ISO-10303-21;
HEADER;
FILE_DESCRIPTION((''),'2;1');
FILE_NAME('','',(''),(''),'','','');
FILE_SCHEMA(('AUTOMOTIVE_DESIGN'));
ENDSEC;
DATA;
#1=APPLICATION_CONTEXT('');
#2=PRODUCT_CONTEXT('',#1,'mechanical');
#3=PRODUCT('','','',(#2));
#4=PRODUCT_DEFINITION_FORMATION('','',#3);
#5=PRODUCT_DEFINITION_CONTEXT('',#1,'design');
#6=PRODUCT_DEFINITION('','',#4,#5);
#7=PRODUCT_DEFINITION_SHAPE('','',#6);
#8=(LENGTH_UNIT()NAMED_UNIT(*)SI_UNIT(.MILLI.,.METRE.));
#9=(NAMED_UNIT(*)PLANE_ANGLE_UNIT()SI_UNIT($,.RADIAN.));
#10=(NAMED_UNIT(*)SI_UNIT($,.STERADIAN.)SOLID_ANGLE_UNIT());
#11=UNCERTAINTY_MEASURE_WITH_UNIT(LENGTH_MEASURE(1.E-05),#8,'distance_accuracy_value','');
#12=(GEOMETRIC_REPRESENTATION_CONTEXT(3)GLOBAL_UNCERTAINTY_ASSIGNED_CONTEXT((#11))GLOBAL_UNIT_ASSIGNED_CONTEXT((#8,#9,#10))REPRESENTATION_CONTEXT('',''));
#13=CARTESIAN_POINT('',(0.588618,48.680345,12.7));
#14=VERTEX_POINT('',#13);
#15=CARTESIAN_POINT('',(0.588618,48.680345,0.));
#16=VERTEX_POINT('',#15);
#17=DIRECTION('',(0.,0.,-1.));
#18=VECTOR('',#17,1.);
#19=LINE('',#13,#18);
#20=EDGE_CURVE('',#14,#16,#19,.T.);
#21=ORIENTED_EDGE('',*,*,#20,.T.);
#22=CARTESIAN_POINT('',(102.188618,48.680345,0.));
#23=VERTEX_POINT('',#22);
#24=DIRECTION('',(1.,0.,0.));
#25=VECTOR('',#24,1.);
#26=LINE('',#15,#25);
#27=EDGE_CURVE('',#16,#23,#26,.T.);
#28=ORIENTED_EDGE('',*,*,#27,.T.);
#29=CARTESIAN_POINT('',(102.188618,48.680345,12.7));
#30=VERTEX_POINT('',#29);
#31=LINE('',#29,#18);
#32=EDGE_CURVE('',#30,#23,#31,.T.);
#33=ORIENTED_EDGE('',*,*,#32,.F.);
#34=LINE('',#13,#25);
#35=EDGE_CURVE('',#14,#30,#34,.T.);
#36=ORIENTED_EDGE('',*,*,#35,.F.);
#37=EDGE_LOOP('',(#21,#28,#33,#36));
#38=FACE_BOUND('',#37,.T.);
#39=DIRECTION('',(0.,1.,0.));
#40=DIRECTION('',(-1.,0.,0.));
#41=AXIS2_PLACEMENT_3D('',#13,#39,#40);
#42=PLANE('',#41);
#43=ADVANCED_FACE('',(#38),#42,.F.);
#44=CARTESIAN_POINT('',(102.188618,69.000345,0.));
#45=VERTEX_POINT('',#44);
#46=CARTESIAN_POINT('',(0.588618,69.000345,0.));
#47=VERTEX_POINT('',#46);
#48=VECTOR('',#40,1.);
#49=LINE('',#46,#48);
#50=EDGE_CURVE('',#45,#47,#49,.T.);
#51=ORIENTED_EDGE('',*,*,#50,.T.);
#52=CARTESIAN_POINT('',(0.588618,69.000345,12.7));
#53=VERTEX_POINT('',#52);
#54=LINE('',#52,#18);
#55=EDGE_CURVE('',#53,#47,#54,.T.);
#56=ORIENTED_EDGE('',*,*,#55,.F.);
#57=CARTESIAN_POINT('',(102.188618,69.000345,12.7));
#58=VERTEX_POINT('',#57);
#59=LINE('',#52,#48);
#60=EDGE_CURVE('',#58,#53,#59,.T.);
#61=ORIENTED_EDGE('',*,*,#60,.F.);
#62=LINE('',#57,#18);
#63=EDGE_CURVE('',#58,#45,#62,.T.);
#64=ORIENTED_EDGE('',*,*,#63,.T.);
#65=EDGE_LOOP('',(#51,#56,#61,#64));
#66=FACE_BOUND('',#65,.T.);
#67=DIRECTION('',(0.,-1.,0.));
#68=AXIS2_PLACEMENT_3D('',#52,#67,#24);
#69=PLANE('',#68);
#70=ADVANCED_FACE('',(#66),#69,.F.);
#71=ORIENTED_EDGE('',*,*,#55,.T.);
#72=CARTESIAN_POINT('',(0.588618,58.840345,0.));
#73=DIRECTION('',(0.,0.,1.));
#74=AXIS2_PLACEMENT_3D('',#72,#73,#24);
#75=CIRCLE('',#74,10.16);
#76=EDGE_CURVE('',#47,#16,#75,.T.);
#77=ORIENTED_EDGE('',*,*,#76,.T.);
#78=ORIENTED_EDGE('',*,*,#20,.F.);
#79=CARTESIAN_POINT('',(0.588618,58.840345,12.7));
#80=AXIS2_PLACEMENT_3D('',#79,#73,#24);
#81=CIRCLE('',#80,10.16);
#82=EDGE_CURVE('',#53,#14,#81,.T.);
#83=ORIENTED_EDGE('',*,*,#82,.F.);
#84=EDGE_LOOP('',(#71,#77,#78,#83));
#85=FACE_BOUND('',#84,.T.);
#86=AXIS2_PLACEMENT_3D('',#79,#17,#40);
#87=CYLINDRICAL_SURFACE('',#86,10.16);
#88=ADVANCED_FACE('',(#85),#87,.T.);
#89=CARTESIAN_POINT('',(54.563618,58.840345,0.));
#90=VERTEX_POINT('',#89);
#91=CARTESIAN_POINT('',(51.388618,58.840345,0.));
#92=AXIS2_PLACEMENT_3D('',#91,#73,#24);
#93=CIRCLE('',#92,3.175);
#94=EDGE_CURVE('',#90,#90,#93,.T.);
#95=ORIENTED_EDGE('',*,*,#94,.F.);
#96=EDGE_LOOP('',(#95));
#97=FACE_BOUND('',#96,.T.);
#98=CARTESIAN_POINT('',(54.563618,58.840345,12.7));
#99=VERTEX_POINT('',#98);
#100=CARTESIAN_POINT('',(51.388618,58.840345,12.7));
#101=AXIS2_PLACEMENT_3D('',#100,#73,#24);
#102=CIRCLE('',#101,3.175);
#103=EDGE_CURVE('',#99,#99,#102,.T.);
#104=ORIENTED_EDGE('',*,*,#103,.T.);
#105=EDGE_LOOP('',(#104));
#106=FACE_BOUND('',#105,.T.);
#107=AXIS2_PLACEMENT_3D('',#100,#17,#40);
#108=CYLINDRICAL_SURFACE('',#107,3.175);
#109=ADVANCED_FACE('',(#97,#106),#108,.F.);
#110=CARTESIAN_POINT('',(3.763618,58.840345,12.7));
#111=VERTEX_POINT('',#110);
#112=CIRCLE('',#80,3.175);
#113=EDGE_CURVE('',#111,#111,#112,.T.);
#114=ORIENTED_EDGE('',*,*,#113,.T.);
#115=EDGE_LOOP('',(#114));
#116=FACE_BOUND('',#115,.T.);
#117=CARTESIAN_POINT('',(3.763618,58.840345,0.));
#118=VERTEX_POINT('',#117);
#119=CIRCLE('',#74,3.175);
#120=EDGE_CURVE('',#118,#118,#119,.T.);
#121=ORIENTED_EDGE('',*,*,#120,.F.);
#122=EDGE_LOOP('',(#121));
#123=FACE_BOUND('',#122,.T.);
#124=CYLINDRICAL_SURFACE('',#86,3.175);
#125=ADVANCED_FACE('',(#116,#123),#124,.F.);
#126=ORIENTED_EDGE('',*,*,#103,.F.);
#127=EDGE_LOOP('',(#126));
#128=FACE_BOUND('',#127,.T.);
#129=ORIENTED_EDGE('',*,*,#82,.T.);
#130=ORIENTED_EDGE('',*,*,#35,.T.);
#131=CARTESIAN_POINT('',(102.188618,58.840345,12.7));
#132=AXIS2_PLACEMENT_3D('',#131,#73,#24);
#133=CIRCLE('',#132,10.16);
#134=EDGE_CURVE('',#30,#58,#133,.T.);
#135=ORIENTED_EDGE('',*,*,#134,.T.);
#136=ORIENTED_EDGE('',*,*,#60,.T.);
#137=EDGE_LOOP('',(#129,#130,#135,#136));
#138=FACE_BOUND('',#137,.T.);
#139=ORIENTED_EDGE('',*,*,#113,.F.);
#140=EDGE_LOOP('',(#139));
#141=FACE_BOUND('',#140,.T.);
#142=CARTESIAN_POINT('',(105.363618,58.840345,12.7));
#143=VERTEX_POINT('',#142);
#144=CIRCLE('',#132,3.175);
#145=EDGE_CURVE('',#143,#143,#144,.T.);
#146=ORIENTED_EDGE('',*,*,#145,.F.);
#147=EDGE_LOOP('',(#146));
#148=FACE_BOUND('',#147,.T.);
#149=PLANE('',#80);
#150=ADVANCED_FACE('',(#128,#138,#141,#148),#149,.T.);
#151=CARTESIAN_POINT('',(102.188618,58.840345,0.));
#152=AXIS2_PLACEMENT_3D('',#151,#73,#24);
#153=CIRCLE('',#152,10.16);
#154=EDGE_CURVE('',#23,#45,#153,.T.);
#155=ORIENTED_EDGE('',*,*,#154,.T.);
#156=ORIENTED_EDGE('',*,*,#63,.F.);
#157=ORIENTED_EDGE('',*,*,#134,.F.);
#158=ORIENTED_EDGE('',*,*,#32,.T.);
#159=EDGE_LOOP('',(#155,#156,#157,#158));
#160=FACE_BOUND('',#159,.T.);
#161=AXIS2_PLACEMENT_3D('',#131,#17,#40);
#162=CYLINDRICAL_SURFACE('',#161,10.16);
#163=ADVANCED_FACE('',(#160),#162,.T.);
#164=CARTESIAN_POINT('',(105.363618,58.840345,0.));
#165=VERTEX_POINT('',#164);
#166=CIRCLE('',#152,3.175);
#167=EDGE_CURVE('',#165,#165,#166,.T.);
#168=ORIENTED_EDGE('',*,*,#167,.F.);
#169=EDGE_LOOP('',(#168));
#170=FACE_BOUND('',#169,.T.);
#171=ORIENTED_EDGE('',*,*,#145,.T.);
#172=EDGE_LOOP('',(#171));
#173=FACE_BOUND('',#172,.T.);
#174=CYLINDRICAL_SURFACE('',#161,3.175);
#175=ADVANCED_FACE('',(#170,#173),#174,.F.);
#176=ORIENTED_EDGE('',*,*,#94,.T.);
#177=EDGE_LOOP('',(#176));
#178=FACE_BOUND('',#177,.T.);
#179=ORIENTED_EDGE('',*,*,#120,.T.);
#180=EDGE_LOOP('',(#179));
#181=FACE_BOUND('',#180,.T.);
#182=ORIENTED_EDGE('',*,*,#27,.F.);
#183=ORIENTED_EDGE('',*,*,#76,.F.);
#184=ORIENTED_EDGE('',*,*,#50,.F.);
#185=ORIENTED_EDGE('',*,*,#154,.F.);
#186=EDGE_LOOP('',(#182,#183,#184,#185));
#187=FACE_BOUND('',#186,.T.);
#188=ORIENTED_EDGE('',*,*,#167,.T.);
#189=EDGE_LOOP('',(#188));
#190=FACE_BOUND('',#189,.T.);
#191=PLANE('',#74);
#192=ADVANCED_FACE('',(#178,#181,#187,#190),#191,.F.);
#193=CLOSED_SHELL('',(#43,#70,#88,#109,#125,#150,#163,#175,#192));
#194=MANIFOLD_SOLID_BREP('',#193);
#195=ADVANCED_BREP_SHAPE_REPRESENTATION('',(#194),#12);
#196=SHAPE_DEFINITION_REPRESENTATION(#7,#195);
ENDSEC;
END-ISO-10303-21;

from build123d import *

# Parameters (mm, degrees)
SKETCH1_R           = 3.175
BOSS_EXTRUDE1_DEPTH = 12.7


with BuildPart() as part:
    # Sketch1 → Boss-Extrude1 (new body)
    with BuildSketch(Plane.XY):
        with BuildLine():
            Line((0.588618423, 69.00034483), (102.188618423, 69.00034483))
            ThreePointArc((102.188618423, 69.00034483), (112.348618423, 58.84034483), (102.188618423, 48.68034483))
            Line((102.188618423, 48.68034483), (0.588618423, 48.68034483))
            ThreePointArc((0.588618423, 48.68034483), (-9.571381577, 58.84034483), (0.588618423, 69.00034483))
        make_face()
        with Locations((51.388618423, 58.84034483)):
            Circle(SKETCH1_R, mode=Mode.SUBTRACT)
        with Locations((0.588618423, 58.84034483)):
            Circle(SKETCH1_R, mode=Mode.SUBTRACT)
        with Locations((102.188618423, 58.84034483)):
            Circle(SKETCH1_R, mode=Mode.SUBTRACT)
    extrude(amount=BOSS_EXTRUDE1_DEPTH)


solid = part.part
